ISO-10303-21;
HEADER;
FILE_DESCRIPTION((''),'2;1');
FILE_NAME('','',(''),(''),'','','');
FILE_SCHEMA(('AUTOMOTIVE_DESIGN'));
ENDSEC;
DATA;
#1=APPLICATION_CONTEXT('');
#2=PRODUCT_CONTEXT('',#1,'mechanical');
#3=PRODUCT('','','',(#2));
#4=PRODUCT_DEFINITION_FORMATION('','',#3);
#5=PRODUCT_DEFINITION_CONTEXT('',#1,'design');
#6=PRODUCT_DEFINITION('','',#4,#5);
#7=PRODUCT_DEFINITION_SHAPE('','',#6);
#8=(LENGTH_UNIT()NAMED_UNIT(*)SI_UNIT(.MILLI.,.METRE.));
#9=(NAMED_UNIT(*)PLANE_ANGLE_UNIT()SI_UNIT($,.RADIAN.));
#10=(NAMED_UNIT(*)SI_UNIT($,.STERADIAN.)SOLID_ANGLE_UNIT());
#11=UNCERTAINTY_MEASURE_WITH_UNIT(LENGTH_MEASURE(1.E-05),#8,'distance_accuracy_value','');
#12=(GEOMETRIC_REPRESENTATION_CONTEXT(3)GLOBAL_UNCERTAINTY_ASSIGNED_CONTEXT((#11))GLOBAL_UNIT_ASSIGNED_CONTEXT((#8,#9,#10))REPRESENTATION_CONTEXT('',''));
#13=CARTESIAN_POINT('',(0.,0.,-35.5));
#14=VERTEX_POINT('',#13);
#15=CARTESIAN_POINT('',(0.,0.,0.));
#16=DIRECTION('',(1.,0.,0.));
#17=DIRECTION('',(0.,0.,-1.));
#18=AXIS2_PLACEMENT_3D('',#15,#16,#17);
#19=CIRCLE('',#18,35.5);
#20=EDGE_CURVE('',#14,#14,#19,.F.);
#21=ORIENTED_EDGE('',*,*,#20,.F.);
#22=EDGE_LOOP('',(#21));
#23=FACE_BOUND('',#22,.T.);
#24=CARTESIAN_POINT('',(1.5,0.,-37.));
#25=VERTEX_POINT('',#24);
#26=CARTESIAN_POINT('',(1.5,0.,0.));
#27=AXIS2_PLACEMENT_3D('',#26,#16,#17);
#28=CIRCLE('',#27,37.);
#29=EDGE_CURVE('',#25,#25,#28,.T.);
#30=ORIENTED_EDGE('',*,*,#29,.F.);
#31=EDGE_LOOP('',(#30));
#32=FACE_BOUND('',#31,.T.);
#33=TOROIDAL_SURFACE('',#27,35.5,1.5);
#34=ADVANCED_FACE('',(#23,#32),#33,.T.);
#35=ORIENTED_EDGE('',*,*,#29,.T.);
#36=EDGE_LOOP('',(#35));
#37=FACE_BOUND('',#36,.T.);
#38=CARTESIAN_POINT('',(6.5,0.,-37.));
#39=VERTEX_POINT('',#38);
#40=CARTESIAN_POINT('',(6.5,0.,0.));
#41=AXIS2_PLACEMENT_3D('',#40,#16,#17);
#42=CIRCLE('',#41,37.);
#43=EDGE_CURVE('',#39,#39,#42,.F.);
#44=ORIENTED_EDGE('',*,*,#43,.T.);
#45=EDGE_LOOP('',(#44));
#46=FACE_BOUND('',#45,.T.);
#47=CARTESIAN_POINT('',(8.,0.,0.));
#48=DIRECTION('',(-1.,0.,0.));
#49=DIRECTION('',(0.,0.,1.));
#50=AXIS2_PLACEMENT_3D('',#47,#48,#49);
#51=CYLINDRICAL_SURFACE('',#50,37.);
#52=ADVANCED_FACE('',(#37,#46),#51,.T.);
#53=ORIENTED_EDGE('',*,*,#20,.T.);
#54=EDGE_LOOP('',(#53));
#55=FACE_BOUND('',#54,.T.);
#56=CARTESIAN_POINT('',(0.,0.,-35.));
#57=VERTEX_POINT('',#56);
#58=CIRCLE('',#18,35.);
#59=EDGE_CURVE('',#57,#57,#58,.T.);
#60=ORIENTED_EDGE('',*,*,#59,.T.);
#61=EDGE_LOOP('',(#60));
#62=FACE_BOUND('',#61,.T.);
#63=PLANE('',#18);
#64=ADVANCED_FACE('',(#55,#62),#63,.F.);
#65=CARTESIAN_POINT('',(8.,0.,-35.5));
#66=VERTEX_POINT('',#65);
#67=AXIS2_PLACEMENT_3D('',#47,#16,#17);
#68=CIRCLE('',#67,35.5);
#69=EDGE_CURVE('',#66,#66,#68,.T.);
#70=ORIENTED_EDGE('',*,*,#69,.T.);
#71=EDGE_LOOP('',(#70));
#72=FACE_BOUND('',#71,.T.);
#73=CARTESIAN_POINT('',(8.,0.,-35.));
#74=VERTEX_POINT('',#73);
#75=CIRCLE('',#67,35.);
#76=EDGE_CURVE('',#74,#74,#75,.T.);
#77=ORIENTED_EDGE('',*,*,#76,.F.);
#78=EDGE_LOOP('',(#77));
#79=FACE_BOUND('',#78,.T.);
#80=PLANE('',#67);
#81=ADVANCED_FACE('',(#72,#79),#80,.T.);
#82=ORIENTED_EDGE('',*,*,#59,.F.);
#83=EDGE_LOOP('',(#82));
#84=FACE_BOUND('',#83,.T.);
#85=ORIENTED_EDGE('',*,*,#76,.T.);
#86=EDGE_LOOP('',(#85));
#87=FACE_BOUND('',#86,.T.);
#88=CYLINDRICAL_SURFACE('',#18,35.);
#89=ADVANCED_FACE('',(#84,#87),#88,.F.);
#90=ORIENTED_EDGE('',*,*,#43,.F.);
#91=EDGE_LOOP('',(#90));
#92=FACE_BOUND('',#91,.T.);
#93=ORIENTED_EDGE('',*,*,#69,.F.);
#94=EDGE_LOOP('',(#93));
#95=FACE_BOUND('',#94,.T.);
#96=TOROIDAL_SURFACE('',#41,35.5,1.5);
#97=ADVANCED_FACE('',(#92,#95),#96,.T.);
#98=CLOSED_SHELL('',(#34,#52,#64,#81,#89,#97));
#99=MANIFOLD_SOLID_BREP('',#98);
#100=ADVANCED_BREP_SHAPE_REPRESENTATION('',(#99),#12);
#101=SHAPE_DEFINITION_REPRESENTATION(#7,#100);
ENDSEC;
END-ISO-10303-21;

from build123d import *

# Parameters (mm, degrees)
SKETCH1_R           = 37
BOSS_EXTRUDE1_DEPTH = 8
FILLET1_R           = 1.5
SKETCH2_R           = 35
CUT_EXTRUDE1_DEPTH  = 53.933921141


with BuildPart() as part:
    # Sketch1 → Boss-Extrude1 (new body)
    with BuildSketch(Plane.YZ):
        with Locations(Location((0, 0, 0), (0, 0, 270))):
            Circle(SKETCH1_R)
    extrude(amount=BOSS_EXTRUDE1_DEPTH)

    # Fillet1
    fillet1_edges = [part.edges().sort_by_distance(p)[0] for p in [
        (0, 0, 37),
        (8, 0, 37),
    ]]
    fillet(fillet1_edges, radius=FILLET1_R)

    # Sketch2 → Cut-Extrude1 (cut, through all)
    with BuildSketch(Plane.YZ.offset(8)):
        with Locations(Location((0, 0, 0), (0, 0, 270))):
            Circle(SKETCH2_R)
    extrude(amount=-CUT_EXTRUDE1_DEPTH, mode=Mode.SUBTRACT)


solid = part.part
